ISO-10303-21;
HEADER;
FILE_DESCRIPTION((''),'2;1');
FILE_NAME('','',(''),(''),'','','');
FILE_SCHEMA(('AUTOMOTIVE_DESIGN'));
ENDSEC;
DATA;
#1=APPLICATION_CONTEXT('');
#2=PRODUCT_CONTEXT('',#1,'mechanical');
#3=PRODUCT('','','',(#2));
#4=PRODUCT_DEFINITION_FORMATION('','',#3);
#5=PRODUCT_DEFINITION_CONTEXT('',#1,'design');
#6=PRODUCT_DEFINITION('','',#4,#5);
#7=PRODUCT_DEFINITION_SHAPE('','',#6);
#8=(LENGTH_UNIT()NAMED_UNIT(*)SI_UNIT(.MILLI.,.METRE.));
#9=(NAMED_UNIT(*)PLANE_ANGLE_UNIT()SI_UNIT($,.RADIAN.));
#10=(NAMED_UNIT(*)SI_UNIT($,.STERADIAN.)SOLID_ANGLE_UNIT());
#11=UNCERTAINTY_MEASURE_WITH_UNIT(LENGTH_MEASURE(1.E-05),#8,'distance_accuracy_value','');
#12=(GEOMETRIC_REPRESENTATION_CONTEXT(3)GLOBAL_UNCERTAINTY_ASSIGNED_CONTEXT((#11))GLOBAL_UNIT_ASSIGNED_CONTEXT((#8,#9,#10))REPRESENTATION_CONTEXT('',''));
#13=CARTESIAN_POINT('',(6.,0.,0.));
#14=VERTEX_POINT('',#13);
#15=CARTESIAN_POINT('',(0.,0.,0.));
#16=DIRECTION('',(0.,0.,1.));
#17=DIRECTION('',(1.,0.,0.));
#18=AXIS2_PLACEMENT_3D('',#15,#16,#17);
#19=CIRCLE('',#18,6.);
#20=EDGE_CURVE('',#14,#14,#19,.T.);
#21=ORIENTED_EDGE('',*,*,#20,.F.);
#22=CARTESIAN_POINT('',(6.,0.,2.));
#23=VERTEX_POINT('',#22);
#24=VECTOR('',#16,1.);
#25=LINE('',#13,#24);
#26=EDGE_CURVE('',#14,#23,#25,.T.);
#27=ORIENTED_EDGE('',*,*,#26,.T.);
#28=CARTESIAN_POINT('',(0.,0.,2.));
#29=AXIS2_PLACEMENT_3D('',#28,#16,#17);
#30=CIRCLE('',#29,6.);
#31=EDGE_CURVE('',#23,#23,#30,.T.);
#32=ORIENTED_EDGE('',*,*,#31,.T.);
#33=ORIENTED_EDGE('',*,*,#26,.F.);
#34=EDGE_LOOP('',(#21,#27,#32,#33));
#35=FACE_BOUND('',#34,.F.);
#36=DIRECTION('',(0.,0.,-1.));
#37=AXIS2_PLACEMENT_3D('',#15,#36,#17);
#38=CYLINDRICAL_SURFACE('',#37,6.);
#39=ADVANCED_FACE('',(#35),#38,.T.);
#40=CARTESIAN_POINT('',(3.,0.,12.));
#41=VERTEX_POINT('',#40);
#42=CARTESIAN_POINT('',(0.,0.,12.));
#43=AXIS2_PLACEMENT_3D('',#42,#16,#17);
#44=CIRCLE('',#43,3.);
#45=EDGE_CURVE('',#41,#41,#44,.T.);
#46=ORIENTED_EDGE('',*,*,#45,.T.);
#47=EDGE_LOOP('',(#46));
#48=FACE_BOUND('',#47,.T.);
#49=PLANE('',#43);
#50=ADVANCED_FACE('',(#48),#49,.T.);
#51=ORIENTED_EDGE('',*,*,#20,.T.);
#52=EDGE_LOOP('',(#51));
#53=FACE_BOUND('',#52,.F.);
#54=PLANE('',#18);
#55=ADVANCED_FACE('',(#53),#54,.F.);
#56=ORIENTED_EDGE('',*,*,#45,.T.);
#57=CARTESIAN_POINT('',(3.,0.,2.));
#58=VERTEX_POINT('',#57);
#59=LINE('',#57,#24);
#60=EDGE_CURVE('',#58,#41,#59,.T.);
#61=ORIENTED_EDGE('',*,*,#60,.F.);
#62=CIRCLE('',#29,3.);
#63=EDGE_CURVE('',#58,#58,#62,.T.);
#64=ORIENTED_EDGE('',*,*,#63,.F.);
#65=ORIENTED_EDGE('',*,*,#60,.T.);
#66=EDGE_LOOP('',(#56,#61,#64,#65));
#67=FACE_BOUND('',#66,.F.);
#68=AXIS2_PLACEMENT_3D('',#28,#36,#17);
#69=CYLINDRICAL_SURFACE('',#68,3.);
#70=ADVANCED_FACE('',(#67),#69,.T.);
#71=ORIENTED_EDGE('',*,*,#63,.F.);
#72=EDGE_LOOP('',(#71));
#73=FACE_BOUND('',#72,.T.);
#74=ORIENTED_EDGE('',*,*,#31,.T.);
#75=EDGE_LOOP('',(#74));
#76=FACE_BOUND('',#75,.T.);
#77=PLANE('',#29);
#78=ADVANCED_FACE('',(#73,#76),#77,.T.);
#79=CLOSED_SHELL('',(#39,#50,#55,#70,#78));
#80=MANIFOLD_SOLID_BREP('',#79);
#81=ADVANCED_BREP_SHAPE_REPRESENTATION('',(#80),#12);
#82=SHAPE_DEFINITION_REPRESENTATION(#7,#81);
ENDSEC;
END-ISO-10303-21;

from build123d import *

# Parameters (mm, degrees)
SKETCH1_R           = 6
BOSS_EXTRUDE1_DEPTH = 2
SKETCH2_R           = 3
BOSS_EXTRUDE2_DEPTH = 10


with BuildPart() as part:
    # Sketch1 → Boss-Extrude1 (new body)
    with BuildSketch(Plane.XY):
        Circle(SKETCH1_R)
    extrude(amount=BOSS_EXTRUDE1_DEPTH)

    # Sketch2 → Boss-Extrude2 (add)
    with BuildSketch(Plane.XY.offset(2)):
        Circle(SKETCH2_R)
    extrude(amount=BOSS_EXTRUDE2_DEPTH)


solid = part.part
